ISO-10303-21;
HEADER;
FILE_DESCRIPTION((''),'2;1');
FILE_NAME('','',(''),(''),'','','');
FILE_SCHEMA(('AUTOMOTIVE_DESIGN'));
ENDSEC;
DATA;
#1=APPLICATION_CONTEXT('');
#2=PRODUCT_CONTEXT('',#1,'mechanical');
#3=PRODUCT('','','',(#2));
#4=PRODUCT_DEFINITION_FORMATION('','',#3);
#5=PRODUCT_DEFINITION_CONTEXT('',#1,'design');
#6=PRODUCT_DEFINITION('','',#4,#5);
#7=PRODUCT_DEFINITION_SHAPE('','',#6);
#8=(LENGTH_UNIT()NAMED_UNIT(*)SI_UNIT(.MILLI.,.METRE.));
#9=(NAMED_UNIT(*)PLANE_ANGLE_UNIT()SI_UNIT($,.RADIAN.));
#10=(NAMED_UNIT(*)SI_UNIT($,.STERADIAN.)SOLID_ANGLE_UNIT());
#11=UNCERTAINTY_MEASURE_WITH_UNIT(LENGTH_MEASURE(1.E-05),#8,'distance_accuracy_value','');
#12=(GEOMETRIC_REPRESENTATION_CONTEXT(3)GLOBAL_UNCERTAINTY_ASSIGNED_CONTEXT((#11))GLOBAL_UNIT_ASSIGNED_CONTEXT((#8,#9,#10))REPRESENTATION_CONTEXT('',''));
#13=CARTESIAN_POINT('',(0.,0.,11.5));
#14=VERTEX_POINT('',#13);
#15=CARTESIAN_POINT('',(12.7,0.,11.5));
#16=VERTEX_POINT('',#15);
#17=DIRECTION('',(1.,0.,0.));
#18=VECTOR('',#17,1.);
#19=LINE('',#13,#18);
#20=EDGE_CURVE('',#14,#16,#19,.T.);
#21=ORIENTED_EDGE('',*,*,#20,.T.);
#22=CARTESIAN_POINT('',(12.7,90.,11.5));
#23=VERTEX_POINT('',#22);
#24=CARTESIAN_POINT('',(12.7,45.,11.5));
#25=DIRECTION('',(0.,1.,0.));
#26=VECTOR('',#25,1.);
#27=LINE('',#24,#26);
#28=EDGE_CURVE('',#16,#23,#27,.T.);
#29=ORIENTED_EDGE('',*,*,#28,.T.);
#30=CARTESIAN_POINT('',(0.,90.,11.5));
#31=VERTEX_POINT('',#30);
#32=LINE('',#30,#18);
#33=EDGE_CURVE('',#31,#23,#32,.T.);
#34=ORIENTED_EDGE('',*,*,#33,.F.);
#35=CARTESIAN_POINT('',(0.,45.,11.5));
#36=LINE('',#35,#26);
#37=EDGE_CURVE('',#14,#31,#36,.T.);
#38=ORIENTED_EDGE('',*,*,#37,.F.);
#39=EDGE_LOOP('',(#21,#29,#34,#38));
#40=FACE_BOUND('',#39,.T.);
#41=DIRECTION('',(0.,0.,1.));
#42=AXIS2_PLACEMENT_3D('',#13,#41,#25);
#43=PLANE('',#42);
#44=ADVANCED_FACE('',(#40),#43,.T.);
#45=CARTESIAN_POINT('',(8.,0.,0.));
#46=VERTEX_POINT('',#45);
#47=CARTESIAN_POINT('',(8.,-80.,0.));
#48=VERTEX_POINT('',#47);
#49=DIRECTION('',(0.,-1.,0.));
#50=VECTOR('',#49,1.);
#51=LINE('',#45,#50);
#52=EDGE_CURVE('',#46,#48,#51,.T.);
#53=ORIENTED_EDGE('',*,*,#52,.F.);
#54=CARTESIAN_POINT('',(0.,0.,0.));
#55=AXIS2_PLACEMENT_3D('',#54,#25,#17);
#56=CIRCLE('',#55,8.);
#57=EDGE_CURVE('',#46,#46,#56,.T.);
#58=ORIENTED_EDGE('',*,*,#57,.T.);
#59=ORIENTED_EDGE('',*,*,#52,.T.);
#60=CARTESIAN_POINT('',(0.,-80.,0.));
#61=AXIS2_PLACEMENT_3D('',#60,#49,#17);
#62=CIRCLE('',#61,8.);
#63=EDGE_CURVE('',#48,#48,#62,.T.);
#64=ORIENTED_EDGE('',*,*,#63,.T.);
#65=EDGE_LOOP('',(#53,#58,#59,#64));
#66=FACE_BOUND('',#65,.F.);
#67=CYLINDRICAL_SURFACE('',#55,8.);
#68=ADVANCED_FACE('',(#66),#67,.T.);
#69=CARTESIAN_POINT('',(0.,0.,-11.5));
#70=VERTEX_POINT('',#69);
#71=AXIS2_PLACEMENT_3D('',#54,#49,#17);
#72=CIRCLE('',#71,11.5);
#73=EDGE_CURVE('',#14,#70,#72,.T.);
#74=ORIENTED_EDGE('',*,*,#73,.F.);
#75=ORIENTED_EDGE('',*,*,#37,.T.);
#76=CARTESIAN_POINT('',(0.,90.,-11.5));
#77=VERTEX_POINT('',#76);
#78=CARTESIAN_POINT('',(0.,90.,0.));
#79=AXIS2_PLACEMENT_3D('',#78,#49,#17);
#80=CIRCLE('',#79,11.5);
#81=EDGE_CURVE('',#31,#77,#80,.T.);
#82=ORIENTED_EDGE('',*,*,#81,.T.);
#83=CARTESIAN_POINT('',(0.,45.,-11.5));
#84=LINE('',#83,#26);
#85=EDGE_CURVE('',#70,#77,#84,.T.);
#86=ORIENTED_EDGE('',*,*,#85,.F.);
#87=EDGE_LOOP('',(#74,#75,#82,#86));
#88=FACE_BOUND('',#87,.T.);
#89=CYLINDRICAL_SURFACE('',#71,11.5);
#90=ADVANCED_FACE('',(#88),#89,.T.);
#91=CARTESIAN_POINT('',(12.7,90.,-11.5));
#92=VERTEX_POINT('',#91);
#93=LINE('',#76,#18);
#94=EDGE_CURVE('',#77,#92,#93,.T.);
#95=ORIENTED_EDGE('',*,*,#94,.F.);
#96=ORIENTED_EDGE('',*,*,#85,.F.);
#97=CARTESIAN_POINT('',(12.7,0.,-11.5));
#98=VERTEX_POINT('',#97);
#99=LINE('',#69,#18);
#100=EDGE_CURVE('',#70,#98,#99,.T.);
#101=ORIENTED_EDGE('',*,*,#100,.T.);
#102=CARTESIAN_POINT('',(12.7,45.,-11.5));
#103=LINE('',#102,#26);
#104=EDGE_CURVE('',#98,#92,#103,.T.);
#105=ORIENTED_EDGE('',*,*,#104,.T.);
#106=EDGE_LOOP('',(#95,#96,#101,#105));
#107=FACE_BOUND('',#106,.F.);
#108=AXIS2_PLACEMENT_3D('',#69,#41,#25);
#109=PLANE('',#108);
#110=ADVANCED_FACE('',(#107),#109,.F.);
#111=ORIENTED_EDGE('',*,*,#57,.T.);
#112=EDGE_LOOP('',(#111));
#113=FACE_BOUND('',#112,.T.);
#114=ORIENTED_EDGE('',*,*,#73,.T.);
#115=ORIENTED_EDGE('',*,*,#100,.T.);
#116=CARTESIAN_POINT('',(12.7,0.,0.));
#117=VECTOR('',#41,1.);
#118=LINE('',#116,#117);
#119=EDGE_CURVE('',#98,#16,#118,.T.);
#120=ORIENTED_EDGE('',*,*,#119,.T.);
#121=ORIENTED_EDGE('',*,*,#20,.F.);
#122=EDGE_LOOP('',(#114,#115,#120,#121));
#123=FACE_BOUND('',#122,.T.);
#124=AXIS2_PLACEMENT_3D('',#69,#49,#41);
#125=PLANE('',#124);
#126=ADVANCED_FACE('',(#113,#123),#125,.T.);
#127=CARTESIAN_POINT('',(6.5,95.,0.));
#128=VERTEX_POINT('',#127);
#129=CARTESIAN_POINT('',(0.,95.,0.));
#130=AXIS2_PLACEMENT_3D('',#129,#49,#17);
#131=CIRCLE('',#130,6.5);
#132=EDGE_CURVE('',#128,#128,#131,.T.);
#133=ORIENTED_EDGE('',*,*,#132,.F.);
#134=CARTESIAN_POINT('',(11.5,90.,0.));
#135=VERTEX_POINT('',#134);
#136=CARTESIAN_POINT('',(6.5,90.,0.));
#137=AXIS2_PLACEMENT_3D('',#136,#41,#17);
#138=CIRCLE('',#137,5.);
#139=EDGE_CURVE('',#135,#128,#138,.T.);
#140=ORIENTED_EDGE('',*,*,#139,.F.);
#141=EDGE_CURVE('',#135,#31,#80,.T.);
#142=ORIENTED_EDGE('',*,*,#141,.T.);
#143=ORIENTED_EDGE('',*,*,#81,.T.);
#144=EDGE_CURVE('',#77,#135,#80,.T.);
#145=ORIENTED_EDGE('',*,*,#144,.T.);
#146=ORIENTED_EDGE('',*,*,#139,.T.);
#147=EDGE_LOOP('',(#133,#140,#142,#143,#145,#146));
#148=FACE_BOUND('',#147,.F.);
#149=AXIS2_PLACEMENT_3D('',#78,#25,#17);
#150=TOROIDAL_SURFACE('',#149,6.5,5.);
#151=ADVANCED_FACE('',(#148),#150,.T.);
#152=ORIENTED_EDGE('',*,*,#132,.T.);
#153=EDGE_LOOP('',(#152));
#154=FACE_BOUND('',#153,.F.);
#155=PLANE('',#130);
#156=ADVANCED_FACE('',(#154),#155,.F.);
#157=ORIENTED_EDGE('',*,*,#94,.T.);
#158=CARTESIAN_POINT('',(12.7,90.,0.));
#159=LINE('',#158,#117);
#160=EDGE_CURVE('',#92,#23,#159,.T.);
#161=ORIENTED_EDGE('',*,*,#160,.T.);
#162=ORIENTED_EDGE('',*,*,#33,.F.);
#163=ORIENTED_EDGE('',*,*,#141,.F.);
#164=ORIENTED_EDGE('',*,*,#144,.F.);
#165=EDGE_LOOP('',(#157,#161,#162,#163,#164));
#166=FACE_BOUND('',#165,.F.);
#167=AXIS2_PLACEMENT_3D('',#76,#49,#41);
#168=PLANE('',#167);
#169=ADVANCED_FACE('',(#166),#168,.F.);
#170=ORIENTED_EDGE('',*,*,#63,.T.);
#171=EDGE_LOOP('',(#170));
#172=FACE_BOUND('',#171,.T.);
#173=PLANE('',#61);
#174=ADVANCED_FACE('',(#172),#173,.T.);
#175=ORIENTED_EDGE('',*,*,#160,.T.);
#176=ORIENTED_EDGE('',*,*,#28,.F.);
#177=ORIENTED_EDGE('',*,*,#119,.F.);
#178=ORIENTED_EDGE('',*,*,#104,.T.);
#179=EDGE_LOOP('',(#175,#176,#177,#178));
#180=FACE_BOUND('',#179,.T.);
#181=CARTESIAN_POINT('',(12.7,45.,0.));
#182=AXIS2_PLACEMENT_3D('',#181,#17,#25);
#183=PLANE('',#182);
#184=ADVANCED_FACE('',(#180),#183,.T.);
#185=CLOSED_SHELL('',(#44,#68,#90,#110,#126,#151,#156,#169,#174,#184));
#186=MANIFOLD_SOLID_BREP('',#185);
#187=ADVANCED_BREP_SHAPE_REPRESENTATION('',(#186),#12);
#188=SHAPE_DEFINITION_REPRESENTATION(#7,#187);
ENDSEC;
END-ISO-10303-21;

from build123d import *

# Parameters (mm, degrees)
F0_R     = 11.5
F2_DEPTH = 95
F1_R     = 8
F3_DEPTH = 80
F4_R     = 5
F5_W     = 90
F5_H     = 23
F6_DEPTH = 12.7


with BuildPart() as f2:
    # F0 (on Front) → F2 (new body)
    with BuildSketch(Plane.XZ):
        Circle(F0_R)
    extrude(amount=-F2_DEPTH)

    # F1 (on Front) → F3 (join)
    with BuildSketch(Plane.XZ):
        Circle(F1_R)
    extrude(amount=F3_DEPTH)

    # F4
    f4_edges = [f2.edges().sort_by_distance(p)[0] for p in [
        (-11.5, 95, 0),
    ]]
    fillet(f4_edges, radius=F4_R)

    # F5 (on Right) → F6 (join)
    with BuildSketch(Plane.YZ):
        with Locations((45, 0)):
            Rectangle(F5_W, F5_H)
    extrude(amount=F6_DEPTH)


solid = f2.part
